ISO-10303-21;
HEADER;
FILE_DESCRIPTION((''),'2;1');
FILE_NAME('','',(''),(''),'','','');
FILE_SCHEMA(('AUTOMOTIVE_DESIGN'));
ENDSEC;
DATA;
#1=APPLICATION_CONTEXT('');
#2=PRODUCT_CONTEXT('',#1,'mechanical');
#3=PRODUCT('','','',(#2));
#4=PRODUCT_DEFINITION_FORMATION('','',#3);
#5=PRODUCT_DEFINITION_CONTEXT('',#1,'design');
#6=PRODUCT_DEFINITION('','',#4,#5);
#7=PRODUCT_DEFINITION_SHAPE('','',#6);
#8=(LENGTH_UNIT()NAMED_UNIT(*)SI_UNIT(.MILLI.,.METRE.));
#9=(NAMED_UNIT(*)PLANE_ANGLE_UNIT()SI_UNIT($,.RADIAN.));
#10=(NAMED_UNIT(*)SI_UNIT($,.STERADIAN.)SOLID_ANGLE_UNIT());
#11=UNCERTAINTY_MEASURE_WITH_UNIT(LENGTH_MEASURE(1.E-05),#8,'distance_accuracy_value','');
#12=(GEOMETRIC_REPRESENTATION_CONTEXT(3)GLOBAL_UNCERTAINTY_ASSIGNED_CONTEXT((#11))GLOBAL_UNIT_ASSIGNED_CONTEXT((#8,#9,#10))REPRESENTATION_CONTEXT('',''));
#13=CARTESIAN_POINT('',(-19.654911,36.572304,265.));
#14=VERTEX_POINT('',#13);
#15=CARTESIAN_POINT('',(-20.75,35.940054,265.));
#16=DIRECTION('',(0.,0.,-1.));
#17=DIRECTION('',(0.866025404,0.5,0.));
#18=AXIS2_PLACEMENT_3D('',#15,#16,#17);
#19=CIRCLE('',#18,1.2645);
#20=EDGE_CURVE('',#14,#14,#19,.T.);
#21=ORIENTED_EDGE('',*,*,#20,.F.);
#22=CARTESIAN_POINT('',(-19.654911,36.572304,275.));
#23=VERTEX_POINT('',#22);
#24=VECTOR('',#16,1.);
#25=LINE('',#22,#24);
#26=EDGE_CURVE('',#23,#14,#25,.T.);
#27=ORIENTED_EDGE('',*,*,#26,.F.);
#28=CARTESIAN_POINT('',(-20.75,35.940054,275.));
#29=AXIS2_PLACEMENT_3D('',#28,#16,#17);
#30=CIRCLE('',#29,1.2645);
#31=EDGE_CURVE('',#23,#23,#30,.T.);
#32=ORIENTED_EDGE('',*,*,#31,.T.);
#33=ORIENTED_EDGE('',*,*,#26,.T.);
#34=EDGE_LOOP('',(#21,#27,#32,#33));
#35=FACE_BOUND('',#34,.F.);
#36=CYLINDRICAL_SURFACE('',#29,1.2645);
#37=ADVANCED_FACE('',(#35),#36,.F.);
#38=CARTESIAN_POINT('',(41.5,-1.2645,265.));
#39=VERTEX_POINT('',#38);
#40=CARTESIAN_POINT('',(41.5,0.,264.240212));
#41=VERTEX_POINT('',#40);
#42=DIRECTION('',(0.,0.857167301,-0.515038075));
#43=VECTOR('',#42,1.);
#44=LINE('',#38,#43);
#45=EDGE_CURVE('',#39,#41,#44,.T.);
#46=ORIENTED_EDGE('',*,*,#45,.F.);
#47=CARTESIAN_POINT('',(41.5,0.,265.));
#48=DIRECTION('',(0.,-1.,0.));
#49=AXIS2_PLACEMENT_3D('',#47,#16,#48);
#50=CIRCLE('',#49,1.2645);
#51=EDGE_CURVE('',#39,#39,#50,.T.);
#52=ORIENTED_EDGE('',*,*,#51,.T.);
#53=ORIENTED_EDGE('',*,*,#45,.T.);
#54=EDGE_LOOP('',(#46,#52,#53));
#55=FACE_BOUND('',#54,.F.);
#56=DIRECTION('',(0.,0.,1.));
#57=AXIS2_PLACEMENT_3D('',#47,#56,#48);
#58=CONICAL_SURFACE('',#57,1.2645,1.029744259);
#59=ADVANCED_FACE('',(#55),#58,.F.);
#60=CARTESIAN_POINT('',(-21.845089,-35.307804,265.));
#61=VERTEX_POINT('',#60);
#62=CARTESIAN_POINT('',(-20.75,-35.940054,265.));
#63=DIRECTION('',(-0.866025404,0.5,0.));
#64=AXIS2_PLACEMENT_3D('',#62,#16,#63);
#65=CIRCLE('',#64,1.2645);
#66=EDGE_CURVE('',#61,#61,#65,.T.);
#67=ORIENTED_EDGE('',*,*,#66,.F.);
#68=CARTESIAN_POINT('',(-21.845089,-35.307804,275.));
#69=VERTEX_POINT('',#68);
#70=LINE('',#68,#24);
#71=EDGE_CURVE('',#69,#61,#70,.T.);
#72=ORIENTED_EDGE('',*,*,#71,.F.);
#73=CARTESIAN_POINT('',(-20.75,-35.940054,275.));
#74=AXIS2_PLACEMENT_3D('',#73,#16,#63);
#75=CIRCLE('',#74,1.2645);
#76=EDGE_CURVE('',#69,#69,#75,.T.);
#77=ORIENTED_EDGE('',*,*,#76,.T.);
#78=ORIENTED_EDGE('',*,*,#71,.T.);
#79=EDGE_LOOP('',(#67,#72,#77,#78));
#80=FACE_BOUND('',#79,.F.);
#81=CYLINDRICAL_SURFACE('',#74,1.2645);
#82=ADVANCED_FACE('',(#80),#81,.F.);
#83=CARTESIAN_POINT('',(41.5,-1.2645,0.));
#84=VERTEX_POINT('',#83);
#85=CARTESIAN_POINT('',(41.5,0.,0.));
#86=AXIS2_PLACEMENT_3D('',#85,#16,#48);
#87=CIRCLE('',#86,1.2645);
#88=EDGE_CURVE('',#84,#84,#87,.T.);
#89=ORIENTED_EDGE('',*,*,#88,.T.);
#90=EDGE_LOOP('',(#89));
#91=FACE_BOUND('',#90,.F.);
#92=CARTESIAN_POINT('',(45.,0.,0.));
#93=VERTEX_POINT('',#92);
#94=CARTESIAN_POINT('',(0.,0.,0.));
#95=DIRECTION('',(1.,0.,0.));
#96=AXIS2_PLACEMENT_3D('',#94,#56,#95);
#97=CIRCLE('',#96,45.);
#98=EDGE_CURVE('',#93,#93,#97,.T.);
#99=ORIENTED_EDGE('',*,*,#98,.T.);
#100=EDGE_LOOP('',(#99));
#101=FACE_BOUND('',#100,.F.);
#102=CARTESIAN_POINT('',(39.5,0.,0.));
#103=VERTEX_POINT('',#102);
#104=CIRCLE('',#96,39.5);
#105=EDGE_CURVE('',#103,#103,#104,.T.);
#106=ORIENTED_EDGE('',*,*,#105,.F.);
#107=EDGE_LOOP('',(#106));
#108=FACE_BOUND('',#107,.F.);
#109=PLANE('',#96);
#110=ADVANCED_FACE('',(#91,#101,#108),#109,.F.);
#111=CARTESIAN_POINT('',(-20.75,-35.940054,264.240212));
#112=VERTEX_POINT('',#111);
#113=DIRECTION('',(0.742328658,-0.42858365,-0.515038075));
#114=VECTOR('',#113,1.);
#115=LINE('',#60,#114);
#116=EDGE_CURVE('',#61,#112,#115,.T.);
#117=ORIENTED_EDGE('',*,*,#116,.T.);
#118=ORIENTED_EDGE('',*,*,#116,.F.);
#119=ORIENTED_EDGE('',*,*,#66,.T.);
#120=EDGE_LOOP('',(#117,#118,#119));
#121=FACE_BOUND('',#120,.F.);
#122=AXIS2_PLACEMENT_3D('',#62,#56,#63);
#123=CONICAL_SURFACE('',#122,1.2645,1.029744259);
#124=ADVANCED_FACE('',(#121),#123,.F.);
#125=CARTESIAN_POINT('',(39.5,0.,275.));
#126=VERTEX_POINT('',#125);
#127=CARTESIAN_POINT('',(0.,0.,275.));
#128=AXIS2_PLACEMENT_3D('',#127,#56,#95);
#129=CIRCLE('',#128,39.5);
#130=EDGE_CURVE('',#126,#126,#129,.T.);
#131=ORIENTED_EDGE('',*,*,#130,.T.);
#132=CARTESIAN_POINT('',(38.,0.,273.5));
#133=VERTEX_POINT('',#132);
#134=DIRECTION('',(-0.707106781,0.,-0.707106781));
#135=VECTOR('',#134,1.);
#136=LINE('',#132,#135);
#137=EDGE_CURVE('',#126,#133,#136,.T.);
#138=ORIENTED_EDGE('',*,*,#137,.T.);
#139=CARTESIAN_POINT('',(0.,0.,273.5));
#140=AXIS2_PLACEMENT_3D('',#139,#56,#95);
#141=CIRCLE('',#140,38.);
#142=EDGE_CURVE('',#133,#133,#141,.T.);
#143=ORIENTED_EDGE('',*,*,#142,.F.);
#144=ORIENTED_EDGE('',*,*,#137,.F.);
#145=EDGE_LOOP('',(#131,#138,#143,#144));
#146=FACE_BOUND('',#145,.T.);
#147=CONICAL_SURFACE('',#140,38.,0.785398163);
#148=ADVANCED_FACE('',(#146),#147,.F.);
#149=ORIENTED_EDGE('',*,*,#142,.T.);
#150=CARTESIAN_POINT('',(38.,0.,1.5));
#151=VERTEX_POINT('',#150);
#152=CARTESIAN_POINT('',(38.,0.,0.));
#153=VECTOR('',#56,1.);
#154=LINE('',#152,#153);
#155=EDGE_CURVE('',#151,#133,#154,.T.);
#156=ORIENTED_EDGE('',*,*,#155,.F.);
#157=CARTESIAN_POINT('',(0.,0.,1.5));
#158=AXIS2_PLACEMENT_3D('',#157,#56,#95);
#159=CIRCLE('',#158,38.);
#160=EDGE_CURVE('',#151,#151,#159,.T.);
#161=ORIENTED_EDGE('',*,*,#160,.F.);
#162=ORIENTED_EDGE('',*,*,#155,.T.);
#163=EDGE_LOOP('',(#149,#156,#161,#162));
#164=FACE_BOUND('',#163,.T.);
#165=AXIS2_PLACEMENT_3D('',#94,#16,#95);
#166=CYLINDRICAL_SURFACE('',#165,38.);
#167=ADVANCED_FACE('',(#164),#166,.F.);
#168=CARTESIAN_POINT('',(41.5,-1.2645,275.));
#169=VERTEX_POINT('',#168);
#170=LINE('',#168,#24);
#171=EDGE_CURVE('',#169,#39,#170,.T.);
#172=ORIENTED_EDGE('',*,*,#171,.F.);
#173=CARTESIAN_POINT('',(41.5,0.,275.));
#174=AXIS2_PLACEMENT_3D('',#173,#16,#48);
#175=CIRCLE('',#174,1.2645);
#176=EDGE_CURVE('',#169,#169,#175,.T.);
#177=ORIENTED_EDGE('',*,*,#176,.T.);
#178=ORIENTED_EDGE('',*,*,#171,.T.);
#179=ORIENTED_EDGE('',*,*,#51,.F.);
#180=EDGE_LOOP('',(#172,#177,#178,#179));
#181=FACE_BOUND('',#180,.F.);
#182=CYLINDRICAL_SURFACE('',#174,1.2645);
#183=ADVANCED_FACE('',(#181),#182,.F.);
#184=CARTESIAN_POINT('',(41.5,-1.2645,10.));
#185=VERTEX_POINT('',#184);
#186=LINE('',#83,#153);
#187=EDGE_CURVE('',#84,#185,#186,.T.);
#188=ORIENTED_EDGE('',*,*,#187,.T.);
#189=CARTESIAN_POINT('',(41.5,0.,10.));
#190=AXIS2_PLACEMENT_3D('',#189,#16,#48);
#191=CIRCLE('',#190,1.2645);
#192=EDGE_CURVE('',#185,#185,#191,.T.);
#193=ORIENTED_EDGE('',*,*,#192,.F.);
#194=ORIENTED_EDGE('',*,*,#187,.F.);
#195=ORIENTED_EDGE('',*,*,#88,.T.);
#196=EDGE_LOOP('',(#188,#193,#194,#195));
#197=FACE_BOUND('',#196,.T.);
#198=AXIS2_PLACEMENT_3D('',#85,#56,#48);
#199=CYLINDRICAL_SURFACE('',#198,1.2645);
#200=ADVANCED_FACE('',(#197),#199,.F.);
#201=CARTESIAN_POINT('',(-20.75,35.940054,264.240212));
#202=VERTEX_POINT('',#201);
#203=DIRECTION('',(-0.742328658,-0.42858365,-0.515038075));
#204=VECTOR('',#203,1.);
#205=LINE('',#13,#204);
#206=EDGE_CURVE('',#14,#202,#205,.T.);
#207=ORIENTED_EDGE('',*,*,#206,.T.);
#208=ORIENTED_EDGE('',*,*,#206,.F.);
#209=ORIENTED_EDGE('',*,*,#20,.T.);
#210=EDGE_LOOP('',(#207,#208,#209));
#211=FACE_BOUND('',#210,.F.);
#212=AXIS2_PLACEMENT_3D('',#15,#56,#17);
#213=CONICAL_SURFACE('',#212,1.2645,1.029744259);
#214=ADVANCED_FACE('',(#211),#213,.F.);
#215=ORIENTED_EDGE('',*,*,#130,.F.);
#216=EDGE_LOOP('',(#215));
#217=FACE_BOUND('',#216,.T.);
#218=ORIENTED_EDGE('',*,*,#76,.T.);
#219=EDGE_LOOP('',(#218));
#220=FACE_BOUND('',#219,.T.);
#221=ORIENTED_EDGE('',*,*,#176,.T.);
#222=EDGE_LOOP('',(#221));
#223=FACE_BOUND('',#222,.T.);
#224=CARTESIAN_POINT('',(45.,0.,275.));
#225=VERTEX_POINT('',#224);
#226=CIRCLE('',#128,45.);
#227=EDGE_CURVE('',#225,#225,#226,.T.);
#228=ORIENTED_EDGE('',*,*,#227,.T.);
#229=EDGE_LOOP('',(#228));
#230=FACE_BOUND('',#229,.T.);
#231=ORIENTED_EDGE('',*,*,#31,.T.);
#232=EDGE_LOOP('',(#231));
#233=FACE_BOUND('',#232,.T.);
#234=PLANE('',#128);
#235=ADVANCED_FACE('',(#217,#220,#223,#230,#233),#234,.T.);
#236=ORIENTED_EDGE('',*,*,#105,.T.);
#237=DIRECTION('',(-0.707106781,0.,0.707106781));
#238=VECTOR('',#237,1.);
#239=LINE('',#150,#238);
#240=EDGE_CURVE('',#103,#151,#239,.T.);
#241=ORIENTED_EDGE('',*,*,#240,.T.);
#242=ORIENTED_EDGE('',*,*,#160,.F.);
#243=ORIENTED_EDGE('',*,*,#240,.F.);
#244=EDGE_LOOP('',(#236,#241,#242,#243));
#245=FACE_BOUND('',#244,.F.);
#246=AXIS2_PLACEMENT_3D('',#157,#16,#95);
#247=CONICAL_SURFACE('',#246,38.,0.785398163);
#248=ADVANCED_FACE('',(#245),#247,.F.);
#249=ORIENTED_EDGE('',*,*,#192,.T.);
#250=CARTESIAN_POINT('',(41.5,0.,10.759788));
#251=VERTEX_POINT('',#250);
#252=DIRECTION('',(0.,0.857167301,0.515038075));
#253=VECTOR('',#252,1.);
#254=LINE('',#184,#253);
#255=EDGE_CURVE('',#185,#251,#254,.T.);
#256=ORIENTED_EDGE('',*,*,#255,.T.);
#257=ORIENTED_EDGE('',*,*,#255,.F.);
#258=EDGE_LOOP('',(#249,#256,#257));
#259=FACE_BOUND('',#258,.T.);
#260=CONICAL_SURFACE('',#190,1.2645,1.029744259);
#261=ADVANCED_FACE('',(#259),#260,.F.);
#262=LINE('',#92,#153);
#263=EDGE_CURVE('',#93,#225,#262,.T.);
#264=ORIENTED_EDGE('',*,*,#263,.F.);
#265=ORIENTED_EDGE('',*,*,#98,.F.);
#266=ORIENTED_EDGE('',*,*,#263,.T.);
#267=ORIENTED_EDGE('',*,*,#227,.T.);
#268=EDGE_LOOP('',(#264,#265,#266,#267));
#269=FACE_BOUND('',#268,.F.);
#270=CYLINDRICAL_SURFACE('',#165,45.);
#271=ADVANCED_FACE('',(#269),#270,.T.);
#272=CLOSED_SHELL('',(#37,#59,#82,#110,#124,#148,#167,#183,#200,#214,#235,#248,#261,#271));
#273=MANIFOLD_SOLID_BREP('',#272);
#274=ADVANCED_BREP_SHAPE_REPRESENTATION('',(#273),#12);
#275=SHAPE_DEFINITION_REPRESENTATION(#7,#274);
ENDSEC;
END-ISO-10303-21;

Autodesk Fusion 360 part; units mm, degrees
sketch "Skizze1" plane through (0, 0, 0) normal (0, 0, 1) x (1, 0, 0)
  circle A0 centre (0, 0) radius 45
  circle A1 centre (0, 0) radius 38
  dimension "d1" = 76
  dimension "d2" = 7
extrude "Extrusion1" add sketch "Skizze1" along normal blind 275
ref_plane "WorkPlane3" through (0, 0, 275) normal (0, 0, 1) x (1, 0, 0)
sketch "Sketch3" plane through (0, 0, 275) normal (0, 0, 1) x (1, 0, 0)
  point P0 (41.5, 0)
  dimension "d27" = 41.5
hole "Hole2" at (41.5, 0, 275) direction (0, 0, -1) diameter 2.529 depth 10 tip angle 118
ref_plane "WorkPlane2" through (0, 0, 137.5) normal (0, 0, 1) x (1, 0, 0)
pattern_circular "C-Pattern2" count 3 over 360 about axis through (0, 0, 1.75) along (0, 0, 1) of "Hole2"
chamfer "Chamfer1" distance 1.5 angle 45 2 edges at (-35.4284, 13.7414, 275) (-35.4284, 13.7414, 0)
mirror "Mirror3" about plane through (0, 0, 137.5) normal (0, 0, 1) of "Hole2"
equation "d1 = D_i"
equation "d2 = Linear Dimension-2"
equation "D_i = 76 mm"
equation "d27 = D_i / 2 + t / 2"
